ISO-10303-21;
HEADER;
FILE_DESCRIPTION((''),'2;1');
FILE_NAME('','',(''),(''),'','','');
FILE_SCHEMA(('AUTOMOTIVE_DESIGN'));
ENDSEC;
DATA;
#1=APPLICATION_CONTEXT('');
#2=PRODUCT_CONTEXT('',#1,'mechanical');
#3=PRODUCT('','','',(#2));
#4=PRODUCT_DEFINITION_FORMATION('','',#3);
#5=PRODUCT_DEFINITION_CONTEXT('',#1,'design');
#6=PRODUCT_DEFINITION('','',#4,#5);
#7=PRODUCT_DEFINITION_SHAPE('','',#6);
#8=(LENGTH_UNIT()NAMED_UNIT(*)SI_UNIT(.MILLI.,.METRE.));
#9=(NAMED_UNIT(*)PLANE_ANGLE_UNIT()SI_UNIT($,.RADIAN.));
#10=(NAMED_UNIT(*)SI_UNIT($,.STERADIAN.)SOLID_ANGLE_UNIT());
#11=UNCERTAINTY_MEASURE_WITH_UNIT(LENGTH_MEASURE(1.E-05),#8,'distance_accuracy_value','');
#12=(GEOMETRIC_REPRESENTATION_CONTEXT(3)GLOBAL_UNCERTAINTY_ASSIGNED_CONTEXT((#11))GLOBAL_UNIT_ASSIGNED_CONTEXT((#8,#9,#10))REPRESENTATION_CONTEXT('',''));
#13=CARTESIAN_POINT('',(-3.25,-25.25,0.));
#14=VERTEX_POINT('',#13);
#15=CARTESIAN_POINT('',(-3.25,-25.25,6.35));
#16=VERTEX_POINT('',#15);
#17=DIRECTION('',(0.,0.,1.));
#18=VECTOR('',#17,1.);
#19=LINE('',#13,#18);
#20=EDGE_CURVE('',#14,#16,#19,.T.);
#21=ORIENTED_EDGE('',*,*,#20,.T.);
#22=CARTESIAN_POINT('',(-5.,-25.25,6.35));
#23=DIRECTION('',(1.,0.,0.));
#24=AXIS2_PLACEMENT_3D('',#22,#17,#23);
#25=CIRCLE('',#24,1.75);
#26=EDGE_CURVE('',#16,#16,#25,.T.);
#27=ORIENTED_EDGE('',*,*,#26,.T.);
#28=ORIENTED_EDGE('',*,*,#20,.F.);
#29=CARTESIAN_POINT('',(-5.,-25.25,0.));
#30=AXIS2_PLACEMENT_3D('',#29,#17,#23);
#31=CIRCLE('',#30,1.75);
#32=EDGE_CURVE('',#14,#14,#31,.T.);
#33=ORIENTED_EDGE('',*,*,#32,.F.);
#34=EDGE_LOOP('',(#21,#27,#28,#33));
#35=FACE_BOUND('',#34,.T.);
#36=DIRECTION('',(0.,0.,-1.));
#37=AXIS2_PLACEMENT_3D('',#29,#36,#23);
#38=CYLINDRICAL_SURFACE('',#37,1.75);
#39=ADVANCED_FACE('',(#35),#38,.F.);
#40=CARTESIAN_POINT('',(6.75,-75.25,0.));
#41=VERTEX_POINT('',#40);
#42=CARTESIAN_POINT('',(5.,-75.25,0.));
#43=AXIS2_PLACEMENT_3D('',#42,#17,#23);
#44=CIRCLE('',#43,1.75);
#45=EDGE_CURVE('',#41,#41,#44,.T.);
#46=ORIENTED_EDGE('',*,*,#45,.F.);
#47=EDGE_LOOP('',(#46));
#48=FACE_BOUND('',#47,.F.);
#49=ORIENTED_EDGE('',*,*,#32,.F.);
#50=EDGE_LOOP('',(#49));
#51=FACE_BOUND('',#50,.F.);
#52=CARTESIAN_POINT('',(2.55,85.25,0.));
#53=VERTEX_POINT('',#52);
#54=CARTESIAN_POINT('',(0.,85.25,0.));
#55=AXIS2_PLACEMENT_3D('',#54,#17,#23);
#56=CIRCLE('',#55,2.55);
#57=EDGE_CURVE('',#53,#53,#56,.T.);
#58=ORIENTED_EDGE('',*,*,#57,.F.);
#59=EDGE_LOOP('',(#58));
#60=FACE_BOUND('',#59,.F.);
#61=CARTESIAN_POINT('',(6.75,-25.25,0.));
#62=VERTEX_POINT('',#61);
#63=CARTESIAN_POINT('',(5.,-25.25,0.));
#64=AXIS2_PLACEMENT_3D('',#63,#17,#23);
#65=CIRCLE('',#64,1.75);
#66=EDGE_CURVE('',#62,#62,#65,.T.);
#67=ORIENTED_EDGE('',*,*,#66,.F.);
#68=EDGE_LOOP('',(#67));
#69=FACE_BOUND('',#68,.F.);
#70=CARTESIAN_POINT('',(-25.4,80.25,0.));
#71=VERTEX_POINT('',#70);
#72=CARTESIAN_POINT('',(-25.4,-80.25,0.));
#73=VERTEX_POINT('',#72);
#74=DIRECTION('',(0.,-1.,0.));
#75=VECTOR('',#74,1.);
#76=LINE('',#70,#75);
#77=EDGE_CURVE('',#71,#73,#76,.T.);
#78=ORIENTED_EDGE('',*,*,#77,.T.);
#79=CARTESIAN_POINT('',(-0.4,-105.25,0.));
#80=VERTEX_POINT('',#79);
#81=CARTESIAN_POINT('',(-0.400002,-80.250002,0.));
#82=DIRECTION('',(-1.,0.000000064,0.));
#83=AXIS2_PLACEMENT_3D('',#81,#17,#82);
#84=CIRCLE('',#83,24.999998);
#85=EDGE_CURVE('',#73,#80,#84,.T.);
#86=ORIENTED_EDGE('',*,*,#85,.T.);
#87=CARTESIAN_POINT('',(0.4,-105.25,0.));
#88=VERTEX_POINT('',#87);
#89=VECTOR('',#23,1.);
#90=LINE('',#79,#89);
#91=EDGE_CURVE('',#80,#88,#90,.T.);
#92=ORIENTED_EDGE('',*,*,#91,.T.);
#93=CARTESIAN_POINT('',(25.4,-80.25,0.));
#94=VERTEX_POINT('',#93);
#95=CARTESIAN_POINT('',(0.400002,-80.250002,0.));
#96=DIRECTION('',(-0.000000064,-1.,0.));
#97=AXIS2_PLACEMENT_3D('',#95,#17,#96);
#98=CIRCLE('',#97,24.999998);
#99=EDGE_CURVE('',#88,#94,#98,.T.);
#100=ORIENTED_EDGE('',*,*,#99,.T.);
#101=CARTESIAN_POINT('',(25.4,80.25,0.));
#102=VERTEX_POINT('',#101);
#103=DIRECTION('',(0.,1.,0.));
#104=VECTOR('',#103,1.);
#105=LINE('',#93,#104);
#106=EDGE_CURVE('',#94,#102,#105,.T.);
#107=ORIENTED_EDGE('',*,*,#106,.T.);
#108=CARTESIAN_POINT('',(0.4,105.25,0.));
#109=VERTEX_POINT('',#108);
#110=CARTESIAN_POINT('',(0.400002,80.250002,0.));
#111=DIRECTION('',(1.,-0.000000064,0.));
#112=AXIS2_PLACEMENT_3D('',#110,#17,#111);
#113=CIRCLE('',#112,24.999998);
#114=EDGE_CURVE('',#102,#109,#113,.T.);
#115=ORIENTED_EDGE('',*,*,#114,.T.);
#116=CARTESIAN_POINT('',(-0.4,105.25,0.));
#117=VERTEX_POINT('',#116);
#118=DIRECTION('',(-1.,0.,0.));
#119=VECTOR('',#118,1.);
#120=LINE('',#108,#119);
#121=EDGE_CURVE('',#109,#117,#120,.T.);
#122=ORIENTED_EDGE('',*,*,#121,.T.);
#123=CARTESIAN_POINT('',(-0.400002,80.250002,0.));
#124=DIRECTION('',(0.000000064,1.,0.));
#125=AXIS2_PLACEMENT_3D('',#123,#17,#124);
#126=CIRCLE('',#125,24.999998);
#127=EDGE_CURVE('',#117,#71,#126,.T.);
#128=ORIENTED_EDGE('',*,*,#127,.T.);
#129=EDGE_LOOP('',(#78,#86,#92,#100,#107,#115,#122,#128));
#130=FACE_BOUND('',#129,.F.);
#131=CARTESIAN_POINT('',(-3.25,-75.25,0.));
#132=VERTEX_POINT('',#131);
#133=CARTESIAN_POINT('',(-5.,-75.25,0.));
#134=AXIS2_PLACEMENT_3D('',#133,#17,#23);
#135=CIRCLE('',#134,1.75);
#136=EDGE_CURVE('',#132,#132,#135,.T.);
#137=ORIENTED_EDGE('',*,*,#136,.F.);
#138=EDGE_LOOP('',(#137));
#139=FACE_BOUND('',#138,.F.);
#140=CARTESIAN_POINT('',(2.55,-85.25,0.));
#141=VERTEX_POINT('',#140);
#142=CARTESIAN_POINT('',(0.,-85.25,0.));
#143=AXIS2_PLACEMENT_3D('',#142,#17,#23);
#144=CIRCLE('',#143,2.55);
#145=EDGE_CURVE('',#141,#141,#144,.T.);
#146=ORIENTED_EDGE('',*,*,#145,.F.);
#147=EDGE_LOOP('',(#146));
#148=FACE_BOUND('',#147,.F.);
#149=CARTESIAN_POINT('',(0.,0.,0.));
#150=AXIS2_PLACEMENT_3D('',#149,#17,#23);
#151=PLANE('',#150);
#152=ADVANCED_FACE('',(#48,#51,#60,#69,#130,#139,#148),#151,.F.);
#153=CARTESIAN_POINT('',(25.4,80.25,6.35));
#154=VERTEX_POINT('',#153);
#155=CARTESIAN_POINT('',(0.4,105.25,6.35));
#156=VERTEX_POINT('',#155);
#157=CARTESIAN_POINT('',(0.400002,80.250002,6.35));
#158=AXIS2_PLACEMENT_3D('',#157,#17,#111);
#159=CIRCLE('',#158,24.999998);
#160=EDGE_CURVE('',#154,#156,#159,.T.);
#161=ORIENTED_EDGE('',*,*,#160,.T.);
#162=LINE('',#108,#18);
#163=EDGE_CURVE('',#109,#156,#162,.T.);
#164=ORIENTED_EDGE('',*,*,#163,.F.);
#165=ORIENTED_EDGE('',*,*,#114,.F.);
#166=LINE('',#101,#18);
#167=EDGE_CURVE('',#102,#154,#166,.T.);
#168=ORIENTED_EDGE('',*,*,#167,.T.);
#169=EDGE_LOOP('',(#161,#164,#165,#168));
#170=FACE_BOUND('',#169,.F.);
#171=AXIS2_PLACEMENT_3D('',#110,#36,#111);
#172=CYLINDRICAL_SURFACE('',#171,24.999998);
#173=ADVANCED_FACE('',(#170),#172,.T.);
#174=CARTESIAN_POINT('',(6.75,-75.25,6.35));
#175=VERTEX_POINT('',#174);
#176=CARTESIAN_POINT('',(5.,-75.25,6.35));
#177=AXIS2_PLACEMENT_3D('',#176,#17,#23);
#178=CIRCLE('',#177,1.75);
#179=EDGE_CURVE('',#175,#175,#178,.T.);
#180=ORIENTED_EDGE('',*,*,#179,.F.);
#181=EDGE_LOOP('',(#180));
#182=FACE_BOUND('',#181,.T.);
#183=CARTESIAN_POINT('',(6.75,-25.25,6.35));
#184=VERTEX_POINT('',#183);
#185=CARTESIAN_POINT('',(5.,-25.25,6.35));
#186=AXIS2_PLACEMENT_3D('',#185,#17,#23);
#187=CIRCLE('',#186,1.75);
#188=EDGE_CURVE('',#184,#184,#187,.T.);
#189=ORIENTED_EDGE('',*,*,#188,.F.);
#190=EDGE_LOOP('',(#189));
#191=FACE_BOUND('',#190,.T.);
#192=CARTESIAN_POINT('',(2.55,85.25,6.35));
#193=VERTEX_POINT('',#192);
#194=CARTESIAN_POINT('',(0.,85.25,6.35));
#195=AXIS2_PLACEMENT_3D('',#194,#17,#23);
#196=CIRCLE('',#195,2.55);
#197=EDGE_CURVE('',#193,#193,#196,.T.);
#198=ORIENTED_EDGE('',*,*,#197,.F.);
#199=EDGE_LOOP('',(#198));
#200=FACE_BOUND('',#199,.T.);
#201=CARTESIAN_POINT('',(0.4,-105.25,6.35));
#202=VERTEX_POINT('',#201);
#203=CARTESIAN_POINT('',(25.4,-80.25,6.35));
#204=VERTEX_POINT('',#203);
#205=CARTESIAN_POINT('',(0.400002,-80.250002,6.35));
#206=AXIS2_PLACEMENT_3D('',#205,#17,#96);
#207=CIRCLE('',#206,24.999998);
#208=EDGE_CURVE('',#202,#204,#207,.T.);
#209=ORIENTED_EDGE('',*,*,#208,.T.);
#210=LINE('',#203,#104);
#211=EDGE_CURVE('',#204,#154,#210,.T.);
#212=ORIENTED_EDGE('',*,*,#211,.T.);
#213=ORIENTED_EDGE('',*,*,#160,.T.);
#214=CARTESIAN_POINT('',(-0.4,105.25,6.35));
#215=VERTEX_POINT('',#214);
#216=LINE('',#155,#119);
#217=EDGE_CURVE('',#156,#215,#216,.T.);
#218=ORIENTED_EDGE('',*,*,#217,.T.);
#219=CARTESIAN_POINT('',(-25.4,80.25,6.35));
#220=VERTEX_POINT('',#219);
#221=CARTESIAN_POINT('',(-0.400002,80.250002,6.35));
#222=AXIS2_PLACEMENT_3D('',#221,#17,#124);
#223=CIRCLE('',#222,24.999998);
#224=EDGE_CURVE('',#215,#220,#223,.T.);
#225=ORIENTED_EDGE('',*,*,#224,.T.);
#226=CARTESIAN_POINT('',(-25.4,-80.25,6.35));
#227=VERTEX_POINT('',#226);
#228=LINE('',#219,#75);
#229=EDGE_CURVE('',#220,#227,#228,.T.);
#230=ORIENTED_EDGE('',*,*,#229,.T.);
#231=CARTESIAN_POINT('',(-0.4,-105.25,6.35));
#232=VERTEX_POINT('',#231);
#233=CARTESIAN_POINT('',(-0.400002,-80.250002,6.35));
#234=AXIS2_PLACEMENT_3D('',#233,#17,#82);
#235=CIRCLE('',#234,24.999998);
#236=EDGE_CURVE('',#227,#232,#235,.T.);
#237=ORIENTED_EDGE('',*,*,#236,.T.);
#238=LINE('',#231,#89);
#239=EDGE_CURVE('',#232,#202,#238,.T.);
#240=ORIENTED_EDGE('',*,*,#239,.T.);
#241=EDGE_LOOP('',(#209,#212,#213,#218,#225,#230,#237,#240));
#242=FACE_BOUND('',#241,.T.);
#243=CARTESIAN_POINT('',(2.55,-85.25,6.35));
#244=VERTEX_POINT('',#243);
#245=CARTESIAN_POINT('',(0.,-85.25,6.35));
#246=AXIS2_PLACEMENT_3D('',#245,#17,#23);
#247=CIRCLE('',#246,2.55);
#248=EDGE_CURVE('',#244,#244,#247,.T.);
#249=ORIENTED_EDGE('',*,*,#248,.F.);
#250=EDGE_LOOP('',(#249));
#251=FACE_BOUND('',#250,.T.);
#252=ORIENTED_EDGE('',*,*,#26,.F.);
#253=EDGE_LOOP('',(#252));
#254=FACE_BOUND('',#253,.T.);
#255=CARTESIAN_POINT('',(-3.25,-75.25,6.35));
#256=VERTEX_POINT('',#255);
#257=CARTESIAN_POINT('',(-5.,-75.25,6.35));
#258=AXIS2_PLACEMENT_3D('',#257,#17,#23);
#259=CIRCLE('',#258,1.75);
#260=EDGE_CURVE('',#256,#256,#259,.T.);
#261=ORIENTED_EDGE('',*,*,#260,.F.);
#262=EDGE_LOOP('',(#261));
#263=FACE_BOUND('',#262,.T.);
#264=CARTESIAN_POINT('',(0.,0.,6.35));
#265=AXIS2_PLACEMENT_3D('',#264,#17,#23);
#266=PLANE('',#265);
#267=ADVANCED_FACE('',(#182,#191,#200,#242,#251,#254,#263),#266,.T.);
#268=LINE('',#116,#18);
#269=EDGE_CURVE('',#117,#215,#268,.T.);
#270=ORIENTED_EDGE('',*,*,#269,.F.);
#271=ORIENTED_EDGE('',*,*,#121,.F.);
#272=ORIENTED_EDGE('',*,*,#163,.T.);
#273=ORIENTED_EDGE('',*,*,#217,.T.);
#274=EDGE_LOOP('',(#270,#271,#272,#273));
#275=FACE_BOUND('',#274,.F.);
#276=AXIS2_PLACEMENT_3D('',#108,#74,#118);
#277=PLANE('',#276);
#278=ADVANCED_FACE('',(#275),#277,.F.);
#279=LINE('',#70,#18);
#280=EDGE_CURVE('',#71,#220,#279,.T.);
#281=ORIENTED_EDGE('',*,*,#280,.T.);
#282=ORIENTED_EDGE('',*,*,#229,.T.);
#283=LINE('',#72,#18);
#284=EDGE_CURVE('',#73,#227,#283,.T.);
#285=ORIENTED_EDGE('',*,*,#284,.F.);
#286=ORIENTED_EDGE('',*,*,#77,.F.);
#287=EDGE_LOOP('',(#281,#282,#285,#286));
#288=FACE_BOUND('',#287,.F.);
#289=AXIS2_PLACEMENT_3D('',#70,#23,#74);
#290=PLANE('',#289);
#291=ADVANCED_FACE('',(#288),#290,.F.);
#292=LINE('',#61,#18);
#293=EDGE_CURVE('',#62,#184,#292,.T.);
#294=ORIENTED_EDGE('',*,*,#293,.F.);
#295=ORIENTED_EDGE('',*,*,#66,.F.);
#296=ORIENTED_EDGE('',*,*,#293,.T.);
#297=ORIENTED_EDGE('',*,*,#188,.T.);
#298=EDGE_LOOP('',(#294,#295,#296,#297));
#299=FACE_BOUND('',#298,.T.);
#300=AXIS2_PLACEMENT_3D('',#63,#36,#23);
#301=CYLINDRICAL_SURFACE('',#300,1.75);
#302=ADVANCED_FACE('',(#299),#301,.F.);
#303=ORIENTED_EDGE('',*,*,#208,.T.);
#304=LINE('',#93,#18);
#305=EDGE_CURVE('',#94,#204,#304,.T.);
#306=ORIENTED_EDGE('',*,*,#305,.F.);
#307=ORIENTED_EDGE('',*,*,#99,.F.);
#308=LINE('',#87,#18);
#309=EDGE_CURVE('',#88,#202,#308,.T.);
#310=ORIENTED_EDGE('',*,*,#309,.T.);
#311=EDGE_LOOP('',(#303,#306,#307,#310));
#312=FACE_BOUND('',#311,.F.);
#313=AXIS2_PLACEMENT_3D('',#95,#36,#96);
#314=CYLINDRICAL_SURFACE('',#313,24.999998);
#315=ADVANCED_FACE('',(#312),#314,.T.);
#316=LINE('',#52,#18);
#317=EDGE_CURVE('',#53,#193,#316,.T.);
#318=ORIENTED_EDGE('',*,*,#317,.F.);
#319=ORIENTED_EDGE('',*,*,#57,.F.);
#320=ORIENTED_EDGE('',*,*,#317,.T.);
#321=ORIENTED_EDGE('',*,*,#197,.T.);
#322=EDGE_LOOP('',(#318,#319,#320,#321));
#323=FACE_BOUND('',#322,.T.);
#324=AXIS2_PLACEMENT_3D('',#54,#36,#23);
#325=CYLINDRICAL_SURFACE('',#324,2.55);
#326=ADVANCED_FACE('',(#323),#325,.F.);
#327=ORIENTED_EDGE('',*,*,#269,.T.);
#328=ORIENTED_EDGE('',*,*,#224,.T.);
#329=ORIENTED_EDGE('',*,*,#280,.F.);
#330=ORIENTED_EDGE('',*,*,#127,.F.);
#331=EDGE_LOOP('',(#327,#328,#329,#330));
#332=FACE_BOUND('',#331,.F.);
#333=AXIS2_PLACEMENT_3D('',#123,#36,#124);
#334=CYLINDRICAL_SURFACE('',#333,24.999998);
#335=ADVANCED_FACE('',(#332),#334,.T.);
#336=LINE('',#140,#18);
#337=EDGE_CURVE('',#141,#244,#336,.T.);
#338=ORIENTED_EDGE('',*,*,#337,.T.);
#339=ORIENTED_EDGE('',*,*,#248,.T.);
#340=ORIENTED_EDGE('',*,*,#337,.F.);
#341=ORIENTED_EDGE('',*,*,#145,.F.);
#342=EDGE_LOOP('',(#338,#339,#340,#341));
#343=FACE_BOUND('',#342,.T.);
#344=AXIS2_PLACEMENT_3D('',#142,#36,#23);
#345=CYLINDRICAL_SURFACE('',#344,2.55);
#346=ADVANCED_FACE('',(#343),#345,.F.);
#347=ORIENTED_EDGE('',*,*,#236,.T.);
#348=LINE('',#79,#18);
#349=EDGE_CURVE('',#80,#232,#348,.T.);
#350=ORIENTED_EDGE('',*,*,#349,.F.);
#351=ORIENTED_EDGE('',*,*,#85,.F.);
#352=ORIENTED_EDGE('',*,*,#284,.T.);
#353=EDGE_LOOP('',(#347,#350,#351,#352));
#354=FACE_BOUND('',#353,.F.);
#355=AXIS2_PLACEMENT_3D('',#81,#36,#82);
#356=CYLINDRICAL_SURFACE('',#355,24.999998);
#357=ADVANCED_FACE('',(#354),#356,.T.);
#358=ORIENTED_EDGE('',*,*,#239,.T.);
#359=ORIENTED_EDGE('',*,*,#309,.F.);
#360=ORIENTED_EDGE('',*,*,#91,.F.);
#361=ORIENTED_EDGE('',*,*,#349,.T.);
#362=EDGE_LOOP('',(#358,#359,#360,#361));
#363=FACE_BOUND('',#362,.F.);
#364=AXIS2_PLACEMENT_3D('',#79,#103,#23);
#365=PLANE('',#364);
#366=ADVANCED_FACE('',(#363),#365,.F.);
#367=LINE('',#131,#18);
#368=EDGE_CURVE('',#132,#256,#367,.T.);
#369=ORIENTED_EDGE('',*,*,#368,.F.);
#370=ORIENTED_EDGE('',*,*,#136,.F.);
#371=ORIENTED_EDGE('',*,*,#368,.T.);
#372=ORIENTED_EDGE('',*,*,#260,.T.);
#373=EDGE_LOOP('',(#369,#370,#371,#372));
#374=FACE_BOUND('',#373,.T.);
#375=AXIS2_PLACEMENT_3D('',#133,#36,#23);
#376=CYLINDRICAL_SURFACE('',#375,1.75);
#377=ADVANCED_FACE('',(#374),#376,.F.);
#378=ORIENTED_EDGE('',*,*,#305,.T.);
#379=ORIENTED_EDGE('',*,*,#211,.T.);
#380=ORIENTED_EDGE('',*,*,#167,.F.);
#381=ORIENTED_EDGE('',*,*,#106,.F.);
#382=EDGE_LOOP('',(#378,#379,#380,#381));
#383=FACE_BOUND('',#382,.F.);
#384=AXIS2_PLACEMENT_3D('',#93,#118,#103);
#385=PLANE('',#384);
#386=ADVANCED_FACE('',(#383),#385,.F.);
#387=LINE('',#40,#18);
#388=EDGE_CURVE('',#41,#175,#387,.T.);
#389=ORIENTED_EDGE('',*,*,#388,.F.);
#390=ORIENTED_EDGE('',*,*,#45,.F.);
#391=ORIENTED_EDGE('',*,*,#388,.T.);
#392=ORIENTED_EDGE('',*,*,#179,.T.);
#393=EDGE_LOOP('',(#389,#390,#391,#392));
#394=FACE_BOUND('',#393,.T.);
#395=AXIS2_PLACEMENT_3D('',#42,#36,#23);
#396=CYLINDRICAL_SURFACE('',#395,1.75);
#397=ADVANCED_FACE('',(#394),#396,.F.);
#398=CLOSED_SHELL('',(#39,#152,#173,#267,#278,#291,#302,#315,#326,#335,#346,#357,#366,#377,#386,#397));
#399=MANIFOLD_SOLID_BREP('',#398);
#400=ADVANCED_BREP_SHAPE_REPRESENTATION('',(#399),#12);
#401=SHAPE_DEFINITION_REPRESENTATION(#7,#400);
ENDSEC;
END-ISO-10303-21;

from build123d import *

# Parameters (mm, degrees)
F0_R     = 1.75
F0_R_2   = 2.55
F1_DEPTH = 6.35


with BuildPart() as f1:
    # F0 (on Top) → F1 (new body)
    with BuildSketch(Plane.XY):
        with BuildLine():
            ThreePointArc((25.4, 80.25), (18.07767, 97.92767), (0.4, 105.25))
            Line((0.4, 105.25), (-0.4, 105.25))
            ThreePointArc((-0.4, 105.25), (-18.07767, 97.92767), (-25.4, 80.25))
            Line((-25.4, 80.25), (-25.4, -80.25))
            ThreePointArc((-25.4, -80.25), (-18.07767, -97.92767), (-0.4, -105.25))
            Line((-0.4, -105.25), (0.4, -105.25))
            ThreePointArc((0.4, -105.25), (18.07767, -97.92767), (25.4, -80.25))
            Line((25.4, -80.25), (25.4, 80.25))
        make_face()
        with Locations((-5, -75.25)):
            Circle(F0_R, mode=Mode.SUBTRACT)
        with Locations((-5, -25.25)):
            Circle(F0_R, mode=Mode.SUBTRACT)
        with Locations((0, -85.25)):
            Circle(F0_R_2, mode=Mode.SUBTRACT)
        with Locations((5, -75.25)):
            Circle(F0_R, mode=Mode.SUBTRACT)
        with Locations((5, -25.25)):
            Circle(F0_R, mode=Mode.SUBTRACT)
        with Locations((0, 85.25)):
            Circle(F0_R_2, mode=Mode.SUBTRACT)
    extrude(amount=F1_DEPTH)


solid = f1.part
